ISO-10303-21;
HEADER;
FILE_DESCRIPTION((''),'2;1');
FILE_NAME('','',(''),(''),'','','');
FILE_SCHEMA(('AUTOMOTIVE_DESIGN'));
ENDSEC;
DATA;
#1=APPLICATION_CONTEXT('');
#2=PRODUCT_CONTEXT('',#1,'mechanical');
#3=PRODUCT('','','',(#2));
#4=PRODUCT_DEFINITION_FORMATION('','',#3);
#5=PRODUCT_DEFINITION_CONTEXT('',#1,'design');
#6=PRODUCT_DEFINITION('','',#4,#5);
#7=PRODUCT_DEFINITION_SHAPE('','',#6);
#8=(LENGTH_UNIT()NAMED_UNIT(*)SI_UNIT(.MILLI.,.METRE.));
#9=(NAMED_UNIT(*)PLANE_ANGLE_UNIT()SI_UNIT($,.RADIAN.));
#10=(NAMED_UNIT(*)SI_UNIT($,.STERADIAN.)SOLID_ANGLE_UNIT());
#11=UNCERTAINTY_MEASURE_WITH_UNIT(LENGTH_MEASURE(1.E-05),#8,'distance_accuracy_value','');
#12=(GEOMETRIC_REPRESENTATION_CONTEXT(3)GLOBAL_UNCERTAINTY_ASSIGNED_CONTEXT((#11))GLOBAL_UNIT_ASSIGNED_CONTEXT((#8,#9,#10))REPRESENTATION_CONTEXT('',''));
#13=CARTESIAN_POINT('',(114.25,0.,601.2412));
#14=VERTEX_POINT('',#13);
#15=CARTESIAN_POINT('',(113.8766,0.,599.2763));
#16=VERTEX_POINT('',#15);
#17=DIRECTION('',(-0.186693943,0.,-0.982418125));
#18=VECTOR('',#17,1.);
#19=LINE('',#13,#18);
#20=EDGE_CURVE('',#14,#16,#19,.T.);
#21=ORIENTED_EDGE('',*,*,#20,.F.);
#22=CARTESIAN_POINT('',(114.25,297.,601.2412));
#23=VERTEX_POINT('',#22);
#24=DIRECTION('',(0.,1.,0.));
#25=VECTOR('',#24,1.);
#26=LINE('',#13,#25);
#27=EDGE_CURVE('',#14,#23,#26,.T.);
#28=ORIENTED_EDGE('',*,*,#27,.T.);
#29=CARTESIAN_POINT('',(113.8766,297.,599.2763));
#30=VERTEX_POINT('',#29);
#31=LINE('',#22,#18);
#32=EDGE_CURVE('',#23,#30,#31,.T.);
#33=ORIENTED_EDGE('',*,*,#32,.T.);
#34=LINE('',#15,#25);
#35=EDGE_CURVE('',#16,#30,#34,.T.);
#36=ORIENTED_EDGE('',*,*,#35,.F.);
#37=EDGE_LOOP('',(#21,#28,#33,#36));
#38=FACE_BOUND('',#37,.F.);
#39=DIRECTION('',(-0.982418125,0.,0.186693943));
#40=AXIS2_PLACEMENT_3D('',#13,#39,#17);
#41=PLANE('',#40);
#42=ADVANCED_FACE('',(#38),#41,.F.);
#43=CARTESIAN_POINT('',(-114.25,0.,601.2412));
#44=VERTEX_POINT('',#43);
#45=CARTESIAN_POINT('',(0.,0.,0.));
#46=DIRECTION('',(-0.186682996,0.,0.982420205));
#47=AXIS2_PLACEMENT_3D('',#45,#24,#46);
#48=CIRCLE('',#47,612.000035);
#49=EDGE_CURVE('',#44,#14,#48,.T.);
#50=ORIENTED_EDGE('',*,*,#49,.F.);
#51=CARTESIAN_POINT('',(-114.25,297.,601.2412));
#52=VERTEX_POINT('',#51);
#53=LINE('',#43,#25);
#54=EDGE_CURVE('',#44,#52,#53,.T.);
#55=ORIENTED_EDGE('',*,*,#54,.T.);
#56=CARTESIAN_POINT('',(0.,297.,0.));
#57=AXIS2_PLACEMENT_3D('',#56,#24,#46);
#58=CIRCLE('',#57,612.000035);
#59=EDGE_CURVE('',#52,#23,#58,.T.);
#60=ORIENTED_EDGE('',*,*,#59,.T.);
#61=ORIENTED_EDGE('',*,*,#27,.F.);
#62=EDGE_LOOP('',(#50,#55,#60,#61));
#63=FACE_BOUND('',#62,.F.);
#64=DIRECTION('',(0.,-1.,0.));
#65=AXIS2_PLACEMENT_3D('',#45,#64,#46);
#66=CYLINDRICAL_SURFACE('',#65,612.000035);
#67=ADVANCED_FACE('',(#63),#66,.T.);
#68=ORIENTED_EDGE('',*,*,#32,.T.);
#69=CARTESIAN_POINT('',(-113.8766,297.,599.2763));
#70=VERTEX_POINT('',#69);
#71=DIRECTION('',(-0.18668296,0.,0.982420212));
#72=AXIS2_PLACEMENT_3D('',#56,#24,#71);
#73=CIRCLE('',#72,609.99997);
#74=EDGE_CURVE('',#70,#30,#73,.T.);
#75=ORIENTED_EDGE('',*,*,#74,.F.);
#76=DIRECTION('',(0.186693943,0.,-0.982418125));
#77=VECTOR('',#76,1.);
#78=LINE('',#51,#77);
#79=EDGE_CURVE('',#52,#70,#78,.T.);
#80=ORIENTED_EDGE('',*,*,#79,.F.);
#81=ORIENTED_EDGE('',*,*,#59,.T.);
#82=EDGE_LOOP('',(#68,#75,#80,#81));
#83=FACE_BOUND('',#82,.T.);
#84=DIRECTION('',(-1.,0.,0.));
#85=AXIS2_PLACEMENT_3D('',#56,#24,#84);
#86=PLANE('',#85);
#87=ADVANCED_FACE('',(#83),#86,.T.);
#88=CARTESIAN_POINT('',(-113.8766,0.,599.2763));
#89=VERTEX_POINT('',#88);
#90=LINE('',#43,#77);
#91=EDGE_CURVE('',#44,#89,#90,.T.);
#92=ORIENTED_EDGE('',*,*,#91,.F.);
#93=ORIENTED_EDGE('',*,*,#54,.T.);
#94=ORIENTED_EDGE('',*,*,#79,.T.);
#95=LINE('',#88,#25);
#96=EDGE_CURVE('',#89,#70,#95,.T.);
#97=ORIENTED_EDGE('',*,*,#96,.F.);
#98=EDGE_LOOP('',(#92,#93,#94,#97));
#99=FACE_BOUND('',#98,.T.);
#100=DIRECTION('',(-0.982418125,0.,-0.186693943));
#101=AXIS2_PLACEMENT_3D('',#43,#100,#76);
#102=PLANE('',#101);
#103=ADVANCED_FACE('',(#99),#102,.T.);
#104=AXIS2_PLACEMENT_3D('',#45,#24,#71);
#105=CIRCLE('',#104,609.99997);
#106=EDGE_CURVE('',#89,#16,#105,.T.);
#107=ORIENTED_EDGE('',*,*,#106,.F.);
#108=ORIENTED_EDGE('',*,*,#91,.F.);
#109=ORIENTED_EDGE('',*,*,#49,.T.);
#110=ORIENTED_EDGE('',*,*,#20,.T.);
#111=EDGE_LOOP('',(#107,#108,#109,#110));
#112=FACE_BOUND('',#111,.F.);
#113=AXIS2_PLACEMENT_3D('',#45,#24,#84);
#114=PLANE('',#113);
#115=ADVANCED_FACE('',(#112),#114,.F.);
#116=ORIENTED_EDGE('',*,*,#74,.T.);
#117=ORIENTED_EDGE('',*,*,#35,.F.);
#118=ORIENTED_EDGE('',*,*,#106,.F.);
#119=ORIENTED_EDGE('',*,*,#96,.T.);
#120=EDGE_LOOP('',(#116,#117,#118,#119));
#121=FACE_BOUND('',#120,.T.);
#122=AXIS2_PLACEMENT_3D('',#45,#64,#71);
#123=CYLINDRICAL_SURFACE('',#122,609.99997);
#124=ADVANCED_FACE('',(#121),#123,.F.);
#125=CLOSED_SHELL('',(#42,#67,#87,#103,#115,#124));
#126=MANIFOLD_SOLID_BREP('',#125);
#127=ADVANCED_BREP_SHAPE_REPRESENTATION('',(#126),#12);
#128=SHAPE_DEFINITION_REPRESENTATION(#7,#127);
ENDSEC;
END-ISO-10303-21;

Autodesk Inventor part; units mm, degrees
ref_plane "YZ Plane" through (0, 0, 0) normal (1, 0, 0) x (0, 1, 0)
ref_plane "XZ Plane" through (0, 0, 0) normal (0, 1, 0) x (-1, 0, 0)
sketch "Sketch1" plane through (0, 0, 0) normal (0, 1, 0) x (-1, 0, 0)
  arc A0 (114.25, 601.2412) -> (-114.25, 601.2412) centre (0, 0) ccw
  arc A1 (113.8766, 599.2763) -> (-113.8766, 599.2763) centre (0, 0) ccw
  line L0 (114.25, 601.2412) -> (113.8766, 599.2763)
  line L1 (114.25, 601.2412) -> (0, 0) construction
  line L2 (-114.25, 601.2412) -> (0, 0) construction
  line L3 (-114.25, 601.2412) -> (-113.8766, 599.2763)
  dimension "d0" = 2
  dimension "d1" = 610
  dimension "d5" = 114.25
  dimension "d6" = 228.5
extrude "Extrusion1" add sketch "Sketch1" along normal blind 297
ref_plane "Work Plane1" through (0, 0, 612) normal (0, 0, 1) x (1, 0, 0)
sketch "Sketch2" plane through (0, 0, 612) normal (0, 0, 1) x (1, 0, 0)
  line L0 (-114.25, 297) -> (115.5379, 297) construction
  line L1 (115.5379, 297) -> (115.5379, 0) construction
  line L2 (115.5379, 0) -> (-114.25, 0) construction
  line L3 (-114.25, 0) -> (-114.25, 297) construction
  point P0 (0, 0)
  point P1 (114.25, 0)
decal "Decal1"
equation "\"d5\" = 0.5 * d6"
properties part number "Instruction Poster" material "Nylon 6/6"
